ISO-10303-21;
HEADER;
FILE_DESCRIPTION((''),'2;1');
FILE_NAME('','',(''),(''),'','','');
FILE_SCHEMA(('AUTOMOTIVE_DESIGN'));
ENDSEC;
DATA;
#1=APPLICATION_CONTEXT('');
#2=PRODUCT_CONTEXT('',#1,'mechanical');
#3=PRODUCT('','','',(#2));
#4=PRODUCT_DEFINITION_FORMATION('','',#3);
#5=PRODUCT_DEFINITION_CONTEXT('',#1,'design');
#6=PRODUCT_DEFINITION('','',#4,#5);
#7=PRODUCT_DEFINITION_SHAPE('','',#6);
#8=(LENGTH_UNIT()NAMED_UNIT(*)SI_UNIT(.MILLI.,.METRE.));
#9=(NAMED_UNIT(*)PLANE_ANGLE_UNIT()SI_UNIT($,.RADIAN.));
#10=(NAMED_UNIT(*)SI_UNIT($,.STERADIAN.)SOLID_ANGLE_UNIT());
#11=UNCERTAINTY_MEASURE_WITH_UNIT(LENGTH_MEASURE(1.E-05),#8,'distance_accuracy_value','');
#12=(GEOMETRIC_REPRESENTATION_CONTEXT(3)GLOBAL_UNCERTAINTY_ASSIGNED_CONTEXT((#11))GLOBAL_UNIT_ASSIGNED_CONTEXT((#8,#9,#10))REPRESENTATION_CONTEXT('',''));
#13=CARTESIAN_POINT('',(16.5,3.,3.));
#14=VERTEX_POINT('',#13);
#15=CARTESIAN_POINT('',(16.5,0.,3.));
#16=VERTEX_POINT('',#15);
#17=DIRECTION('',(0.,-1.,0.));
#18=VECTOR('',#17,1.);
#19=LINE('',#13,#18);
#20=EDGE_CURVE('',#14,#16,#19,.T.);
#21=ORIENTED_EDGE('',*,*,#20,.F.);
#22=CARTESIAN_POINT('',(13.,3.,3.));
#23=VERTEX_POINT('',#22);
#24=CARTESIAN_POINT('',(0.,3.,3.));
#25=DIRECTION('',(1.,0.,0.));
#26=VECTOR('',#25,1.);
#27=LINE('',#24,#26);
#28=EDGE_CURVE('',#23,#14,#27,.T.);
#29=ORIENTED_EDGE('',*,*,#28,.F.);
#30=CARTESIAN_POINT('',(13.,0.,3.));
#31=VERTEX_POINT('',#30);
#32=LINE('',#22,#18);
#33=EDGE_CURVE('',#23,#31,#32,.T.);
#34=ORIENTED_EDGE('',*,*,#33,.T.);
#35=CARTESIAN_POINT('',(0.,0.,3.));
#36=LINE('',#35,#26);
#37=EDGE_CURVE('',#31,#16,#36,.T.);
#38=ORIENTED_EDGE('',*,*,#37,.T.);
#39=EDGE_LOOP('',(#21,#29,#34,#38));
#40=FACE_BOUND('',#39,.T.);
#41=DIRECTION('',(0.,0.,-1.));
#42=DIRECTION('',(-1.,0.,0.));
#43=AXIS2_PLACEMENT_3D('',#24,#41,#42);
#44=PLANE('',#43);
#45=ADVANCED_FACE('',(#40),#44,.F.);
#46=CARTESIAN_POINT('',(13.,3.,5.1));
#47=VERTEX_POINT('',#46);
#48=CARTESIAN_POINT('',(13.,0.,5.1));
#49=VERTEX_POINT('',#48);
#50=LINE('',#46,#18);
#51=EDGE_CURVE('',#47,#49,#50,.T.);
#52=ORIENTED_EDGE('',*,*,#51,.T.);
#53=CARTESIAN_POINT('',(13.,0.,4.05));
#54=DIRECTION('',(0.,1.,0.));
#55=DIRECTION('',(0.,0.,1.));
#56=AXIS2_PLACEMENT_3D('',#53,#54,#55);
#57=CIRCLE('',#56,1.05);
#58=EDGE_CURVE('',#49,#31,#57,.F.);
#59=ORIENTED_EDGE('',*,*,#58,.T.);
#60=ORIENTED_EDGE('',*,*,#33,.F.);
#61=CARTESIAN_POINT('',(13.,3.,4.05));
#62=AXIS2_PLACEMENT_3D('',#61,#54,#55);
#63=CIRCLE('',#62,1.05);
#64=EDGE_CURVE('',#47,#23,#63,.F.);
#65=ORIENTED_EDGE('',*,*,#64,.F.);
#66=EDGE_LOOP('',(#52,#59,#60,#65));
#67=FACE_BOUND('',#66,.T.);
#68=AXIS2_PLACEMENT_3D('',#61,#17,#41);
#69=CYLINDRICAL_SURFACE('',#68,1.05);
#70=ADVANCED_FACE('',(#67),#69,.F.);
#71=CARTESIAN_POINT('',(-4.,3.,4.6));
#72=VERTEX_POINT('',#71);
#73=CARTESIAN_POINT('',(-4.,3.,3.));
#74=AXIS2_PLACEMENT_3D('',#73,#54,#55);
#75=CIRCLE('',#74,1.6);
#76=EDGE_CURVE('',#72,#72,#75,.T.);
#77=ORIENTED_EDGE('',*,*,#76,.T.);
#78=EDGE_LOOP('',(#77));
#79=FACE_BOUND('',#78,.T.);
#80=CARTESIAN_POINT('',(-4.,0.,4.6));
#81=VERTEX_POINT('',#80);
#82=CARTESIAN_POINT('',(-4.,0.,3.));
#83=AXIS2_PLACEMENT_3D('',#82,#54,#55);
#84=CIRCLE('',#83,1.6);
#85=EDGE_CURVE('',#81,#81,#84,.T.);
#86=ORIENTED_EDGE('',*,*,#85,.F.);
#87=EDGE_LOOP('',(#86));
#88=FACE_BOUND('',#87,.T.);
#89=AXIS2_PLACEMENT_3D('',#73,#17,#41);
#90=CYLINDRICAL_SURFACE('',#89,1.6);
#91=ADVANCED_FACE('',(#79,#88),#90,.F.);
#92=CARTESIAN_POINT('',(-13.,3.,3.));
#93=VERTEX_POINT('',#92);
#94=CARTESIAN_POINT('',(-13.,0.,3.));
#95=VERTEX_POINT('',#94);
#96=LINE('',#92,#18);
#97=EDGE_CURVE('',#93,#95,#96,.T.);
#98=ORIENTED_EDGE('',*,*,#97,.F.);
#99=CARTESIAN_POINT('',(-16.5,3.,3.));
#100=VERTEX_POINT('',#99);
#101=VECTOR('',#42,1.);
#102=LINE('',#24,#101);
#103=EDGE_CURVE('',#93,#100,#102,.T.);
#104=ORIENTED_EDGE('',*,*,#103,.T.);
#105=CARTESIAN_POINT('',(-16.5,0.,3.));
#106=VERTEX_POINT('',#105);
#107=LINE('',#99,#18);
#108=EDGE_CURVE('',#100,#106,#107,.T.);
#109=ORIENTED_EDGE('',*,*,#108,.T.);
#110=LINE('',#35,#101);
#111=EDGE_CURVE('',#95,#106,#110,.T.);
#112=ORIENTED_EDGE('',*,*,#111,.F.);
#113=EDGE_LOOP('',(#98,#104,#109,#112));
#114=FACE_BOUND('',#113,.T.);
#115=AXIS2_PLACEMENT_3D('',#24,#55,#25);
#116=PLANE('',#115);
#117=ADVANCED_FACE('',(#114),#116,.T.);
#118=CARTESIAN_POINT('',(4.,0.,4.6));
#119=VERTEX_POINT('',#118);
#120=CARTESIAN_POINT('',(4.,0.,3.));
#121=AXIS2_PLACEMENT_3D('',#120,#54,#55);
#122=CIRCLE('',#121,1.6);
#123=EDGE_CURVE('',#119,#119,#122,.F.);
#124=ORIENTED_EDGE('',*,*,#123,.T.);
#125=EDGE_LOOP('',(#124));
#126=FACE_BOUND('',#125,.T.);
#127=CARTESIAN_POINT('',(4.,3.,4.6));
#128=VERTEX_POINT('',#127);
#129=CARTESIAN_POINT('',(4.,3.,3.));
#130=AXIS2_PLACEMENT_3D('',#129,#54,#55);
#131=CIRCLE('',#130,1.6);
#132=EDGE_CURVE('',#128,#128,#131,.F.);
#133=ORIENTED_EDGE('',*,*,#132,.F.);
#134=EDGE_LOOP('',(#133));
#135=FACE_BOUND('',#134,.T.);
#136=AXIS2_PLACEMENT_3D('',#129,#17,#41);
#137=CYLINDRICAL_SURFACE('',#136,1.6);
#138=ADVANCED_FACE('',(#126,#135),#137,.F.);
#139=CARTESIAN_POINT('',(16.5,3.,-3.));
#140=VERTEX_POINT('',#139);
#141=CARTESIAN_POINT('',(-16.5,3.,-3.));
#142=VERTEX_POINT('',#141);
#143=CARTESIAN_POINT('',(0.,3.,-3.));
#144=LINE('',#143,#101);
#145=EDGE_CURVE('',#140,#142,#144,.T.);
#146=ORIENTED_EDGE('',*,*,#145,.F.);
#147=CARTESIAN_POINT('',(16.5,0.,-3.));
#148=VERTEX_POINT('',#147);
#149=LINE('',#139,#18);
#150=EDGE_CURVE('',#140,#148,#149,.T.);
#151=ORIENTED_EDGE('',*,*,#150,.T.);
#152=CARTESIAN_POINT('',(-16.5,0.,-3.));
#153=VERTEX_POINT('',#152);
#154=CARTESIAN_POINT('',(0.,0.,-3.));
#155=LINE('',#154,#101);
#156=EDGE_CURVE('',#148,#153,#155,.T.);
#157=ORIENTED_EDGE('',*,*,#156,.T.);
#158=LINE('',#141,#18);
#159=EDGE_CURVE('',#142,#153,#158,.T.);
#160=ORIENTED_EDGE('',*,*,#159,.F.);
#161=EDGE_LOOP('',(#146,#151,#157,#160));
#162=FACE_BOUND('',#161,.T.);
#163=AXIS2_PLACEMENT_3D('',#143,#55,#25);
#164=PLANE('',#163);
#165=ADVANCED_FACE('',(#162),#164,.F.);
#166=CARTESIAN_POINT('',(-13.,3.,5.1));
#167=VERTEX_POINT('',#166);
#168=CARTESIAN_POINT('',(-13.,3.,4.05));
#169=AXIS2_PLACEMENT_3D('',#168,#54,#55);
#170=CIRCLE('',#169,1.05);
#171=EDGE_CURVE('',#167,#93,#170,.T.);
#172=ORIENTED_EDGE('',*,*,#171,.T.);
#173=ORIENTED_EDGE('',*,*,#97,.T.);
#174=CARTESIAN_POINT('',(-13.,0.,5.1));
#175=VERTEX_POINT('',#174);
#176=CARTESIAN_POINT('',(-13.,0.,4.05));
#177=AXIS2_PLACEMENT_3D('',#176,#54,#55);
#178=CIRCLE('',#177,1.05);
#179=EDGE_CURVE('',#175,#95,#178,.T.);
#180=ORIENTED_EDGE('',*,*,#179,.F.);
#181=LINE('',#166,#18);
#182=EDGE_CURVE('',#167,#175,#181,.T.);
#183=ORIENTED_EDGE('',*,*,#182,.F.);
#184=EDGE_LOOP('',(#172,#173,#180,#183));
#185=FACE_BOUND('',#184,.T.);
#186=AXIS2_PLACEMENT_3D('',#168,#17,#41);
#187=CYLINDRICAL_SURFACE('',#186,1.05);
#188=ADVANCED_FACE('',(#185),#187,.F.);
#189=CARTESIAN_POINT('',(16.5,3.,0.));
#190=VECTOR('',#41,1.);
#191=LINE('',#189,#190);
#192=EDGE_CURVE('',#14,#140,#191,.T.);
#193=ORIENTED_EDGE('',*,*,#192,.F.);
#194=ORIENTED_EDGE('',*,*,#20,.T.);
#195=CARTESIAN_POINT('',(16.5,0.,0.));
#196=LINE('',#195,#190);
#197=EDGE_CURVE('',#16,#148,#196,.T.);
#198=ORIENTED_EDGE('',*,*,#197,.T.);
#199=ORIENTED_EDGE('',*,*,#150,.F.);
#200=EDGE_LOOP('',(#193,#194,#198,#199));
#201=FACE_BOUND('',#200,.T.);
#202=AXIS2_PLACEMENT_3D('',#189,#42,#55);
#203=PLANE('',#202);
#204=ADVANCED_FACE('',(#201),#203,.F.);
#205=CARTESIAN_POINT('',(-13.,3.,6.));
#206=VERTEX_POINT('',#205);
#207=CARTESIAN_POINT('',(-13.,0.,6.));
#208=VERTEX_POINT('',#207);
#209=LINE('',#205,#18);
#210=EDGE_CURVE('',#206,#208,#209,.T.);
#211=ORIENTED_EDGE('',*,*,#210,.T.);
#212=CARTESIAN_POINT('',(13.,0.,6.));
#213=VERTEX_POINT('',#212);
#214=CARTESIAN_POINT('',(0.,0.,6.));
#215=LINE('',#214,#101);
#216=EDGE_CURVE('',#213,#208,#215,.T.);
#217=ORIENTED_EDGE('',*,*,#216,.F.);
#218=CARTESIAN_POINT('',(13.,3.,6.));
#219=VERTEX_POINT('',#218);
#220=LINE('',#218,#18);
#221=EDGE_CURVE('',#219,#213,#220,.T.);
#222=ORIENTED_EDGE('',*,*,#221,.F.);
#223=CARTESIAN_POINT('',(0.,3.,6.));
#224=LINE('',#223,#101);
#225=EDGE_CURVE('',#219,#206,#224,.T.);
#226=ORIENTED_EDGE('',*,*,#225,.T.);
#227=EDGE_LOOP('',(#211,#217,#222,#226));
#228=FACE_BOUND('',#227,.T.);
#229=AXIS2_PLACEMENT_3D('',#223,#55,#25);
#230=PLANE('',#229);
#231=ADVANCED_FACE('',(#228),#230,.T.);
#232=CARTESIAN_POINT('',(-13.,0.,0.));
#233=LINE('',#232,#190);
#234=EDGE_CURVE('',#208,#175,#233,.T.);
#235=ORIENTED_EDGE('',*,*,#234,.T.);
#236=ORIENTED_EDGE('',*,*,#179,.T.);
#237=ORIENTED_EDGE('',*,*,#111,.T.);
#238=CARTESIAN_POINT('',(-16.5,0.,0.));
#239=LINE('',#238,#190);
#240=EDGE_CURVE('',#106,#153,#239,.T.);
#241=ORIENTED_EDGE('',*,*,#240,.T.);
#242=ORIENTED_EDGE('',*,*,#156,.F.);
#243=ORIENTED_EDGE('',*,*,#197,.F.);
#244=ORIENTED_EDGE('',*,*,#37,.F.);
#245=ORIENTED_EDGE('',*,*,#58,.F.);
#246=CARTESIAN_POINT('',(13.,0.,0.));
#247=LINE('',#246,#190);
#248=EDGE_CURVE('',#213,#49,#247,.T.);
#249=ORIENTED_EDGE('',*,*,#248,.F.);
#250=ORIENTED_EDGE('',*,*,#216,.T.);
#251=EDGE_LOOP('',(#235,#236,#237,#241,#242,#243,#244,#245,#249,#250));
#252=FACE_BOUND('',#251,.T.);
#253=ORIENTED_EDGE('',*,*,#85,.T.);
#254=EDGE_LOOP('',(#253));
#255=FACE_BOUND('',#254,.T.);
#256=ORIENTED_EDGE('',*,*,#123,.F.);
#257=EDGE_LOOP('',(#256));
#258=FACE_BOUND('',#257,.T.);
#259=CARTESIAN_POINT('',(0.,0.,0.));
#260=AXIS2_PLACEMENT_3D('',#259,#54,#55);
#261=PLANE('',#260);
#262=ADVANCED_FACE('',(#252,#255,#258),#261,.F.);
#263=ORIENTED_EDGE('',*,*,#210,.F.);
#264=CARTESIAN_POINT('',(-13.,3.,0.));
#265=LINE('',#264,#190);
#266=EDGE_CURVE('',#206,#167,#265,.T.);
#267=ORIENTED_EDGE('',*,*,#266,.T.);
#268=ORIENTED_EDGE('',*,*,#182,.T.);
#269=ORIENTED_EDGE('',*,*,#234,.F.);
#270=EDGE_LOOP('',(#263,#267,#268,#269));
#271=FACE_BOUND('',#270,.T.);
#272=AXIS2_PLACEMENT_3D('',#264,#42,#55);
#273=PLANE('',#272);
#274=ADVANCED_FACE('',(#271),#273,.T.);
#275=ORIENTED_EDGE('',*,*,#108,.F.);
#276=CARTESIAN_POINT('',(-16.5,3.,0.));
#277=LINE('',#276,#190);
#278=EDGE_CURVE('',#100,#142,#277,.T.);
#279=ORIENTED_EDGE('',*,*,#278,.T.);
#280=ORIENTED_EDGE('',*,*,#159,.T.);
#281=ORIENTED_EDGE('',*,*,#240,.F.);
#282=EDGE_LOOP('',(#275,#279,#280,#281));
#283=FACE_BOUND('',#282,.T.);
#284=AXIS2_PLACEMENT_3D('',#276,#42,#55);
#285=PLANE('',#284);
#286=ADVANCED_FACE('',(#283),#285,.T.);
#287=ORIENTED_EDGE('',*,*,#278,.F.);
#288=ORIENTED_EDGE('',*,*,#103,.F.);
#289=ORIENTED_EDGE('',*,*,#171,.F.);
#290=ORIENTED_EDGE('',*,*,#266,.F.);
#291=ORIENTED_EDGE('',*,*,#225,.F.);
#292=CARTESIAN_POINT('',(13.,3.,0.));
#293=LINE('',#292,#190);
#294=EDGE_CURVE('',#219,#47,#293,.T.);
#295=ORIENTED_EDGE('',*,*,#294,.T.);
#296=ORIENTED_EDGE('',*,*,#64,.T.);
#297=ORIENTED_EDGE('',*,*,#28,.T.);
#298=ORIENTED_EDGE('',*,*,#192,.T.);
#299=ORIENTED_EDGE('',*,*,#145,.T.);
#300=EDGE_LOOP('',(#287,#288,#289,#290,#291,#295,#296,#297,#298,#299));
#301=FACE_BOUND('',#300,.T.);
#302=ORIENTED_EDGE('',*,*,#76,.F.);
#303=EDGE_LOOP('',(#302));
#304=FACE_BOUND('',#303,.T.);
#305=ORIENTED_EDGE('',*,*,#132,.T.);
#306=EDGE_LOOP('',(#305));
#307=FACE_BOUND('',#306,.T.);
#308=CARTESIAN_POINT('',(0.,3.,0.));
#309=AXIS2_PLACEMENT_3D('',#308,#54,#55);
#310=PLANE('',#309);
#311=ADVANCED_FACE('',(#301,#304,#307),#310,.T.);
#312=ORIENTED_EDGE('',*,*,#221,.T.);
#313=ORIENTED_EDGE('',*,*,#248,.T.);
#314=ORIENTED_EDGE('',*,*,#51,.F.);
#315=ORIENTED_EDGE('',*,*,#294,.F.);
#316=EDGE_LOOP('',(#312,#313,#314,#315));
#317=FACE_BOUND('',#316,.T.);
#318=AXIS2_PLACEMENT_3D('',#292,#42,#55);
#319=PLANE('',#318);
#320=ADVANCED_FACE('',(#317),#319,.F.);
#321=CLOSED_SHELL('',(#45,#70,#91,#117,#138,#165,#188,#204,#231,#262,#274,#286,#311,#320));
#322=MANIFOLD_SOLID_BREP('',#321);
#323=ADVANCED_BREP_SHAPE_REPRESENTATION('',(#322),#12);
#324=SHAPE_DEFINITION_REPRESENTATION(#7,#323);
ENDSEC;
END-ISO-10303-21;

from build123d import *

# Parameters (mm, degrees)
SKETCH_1_R      = 1.6
EXTRUDE_1_DEPTH = 3


with BuildPart() as part:
    # 草图1 → 凸台-拉伸1 (new body)
    with BuildSketch(Plane(origin=(0, 0, 0), x_dir=(1, 0, 0), z_dir=(0, 1, 0))):
        with BuildLine():
            Line((-13, -6), (13, -6))
            Line((13, -6), (13, -5.1))
            ThreePointArc((13, -5.1), (11.95, -4.05), (13, -3))
            Line((13, -3), (16.5, -3))
            Line((16.5, -3), (16.5, 3))
            Line((16.5, 3), (13, 3))
            Line((13, 3), (-13, 3))
            Line((-13, 3), (-16.5, 3))
            Line((-16.5, 3), (-16.5, -3))
            Line((-16.5, -3), (-13, -3))
            ThreePointArc((-13, -3), (-12.25753788, -3.30753788), (-11.95, -4.05))
            ThreePointArc((-11.95, -4.05), (-12.25753788, -4.79246212), (-13, -5.1))
            Line((-13, -5.1), (-13, -6))
        make_face()
        with Locations(Location((-4, -3, 0), (0, 0, 270))):
            Circle(SKETCH_1_R, mode=Mode.SUBTRACT)
        with Locations(Location((4, -3, 0), (0, 0, 270))):
            Circle(SKETCH_1_R, mode=Mode.SUBTRACT)
    extrude(amount=EXTRUDE_1_DEPTH)


solid = part.part
